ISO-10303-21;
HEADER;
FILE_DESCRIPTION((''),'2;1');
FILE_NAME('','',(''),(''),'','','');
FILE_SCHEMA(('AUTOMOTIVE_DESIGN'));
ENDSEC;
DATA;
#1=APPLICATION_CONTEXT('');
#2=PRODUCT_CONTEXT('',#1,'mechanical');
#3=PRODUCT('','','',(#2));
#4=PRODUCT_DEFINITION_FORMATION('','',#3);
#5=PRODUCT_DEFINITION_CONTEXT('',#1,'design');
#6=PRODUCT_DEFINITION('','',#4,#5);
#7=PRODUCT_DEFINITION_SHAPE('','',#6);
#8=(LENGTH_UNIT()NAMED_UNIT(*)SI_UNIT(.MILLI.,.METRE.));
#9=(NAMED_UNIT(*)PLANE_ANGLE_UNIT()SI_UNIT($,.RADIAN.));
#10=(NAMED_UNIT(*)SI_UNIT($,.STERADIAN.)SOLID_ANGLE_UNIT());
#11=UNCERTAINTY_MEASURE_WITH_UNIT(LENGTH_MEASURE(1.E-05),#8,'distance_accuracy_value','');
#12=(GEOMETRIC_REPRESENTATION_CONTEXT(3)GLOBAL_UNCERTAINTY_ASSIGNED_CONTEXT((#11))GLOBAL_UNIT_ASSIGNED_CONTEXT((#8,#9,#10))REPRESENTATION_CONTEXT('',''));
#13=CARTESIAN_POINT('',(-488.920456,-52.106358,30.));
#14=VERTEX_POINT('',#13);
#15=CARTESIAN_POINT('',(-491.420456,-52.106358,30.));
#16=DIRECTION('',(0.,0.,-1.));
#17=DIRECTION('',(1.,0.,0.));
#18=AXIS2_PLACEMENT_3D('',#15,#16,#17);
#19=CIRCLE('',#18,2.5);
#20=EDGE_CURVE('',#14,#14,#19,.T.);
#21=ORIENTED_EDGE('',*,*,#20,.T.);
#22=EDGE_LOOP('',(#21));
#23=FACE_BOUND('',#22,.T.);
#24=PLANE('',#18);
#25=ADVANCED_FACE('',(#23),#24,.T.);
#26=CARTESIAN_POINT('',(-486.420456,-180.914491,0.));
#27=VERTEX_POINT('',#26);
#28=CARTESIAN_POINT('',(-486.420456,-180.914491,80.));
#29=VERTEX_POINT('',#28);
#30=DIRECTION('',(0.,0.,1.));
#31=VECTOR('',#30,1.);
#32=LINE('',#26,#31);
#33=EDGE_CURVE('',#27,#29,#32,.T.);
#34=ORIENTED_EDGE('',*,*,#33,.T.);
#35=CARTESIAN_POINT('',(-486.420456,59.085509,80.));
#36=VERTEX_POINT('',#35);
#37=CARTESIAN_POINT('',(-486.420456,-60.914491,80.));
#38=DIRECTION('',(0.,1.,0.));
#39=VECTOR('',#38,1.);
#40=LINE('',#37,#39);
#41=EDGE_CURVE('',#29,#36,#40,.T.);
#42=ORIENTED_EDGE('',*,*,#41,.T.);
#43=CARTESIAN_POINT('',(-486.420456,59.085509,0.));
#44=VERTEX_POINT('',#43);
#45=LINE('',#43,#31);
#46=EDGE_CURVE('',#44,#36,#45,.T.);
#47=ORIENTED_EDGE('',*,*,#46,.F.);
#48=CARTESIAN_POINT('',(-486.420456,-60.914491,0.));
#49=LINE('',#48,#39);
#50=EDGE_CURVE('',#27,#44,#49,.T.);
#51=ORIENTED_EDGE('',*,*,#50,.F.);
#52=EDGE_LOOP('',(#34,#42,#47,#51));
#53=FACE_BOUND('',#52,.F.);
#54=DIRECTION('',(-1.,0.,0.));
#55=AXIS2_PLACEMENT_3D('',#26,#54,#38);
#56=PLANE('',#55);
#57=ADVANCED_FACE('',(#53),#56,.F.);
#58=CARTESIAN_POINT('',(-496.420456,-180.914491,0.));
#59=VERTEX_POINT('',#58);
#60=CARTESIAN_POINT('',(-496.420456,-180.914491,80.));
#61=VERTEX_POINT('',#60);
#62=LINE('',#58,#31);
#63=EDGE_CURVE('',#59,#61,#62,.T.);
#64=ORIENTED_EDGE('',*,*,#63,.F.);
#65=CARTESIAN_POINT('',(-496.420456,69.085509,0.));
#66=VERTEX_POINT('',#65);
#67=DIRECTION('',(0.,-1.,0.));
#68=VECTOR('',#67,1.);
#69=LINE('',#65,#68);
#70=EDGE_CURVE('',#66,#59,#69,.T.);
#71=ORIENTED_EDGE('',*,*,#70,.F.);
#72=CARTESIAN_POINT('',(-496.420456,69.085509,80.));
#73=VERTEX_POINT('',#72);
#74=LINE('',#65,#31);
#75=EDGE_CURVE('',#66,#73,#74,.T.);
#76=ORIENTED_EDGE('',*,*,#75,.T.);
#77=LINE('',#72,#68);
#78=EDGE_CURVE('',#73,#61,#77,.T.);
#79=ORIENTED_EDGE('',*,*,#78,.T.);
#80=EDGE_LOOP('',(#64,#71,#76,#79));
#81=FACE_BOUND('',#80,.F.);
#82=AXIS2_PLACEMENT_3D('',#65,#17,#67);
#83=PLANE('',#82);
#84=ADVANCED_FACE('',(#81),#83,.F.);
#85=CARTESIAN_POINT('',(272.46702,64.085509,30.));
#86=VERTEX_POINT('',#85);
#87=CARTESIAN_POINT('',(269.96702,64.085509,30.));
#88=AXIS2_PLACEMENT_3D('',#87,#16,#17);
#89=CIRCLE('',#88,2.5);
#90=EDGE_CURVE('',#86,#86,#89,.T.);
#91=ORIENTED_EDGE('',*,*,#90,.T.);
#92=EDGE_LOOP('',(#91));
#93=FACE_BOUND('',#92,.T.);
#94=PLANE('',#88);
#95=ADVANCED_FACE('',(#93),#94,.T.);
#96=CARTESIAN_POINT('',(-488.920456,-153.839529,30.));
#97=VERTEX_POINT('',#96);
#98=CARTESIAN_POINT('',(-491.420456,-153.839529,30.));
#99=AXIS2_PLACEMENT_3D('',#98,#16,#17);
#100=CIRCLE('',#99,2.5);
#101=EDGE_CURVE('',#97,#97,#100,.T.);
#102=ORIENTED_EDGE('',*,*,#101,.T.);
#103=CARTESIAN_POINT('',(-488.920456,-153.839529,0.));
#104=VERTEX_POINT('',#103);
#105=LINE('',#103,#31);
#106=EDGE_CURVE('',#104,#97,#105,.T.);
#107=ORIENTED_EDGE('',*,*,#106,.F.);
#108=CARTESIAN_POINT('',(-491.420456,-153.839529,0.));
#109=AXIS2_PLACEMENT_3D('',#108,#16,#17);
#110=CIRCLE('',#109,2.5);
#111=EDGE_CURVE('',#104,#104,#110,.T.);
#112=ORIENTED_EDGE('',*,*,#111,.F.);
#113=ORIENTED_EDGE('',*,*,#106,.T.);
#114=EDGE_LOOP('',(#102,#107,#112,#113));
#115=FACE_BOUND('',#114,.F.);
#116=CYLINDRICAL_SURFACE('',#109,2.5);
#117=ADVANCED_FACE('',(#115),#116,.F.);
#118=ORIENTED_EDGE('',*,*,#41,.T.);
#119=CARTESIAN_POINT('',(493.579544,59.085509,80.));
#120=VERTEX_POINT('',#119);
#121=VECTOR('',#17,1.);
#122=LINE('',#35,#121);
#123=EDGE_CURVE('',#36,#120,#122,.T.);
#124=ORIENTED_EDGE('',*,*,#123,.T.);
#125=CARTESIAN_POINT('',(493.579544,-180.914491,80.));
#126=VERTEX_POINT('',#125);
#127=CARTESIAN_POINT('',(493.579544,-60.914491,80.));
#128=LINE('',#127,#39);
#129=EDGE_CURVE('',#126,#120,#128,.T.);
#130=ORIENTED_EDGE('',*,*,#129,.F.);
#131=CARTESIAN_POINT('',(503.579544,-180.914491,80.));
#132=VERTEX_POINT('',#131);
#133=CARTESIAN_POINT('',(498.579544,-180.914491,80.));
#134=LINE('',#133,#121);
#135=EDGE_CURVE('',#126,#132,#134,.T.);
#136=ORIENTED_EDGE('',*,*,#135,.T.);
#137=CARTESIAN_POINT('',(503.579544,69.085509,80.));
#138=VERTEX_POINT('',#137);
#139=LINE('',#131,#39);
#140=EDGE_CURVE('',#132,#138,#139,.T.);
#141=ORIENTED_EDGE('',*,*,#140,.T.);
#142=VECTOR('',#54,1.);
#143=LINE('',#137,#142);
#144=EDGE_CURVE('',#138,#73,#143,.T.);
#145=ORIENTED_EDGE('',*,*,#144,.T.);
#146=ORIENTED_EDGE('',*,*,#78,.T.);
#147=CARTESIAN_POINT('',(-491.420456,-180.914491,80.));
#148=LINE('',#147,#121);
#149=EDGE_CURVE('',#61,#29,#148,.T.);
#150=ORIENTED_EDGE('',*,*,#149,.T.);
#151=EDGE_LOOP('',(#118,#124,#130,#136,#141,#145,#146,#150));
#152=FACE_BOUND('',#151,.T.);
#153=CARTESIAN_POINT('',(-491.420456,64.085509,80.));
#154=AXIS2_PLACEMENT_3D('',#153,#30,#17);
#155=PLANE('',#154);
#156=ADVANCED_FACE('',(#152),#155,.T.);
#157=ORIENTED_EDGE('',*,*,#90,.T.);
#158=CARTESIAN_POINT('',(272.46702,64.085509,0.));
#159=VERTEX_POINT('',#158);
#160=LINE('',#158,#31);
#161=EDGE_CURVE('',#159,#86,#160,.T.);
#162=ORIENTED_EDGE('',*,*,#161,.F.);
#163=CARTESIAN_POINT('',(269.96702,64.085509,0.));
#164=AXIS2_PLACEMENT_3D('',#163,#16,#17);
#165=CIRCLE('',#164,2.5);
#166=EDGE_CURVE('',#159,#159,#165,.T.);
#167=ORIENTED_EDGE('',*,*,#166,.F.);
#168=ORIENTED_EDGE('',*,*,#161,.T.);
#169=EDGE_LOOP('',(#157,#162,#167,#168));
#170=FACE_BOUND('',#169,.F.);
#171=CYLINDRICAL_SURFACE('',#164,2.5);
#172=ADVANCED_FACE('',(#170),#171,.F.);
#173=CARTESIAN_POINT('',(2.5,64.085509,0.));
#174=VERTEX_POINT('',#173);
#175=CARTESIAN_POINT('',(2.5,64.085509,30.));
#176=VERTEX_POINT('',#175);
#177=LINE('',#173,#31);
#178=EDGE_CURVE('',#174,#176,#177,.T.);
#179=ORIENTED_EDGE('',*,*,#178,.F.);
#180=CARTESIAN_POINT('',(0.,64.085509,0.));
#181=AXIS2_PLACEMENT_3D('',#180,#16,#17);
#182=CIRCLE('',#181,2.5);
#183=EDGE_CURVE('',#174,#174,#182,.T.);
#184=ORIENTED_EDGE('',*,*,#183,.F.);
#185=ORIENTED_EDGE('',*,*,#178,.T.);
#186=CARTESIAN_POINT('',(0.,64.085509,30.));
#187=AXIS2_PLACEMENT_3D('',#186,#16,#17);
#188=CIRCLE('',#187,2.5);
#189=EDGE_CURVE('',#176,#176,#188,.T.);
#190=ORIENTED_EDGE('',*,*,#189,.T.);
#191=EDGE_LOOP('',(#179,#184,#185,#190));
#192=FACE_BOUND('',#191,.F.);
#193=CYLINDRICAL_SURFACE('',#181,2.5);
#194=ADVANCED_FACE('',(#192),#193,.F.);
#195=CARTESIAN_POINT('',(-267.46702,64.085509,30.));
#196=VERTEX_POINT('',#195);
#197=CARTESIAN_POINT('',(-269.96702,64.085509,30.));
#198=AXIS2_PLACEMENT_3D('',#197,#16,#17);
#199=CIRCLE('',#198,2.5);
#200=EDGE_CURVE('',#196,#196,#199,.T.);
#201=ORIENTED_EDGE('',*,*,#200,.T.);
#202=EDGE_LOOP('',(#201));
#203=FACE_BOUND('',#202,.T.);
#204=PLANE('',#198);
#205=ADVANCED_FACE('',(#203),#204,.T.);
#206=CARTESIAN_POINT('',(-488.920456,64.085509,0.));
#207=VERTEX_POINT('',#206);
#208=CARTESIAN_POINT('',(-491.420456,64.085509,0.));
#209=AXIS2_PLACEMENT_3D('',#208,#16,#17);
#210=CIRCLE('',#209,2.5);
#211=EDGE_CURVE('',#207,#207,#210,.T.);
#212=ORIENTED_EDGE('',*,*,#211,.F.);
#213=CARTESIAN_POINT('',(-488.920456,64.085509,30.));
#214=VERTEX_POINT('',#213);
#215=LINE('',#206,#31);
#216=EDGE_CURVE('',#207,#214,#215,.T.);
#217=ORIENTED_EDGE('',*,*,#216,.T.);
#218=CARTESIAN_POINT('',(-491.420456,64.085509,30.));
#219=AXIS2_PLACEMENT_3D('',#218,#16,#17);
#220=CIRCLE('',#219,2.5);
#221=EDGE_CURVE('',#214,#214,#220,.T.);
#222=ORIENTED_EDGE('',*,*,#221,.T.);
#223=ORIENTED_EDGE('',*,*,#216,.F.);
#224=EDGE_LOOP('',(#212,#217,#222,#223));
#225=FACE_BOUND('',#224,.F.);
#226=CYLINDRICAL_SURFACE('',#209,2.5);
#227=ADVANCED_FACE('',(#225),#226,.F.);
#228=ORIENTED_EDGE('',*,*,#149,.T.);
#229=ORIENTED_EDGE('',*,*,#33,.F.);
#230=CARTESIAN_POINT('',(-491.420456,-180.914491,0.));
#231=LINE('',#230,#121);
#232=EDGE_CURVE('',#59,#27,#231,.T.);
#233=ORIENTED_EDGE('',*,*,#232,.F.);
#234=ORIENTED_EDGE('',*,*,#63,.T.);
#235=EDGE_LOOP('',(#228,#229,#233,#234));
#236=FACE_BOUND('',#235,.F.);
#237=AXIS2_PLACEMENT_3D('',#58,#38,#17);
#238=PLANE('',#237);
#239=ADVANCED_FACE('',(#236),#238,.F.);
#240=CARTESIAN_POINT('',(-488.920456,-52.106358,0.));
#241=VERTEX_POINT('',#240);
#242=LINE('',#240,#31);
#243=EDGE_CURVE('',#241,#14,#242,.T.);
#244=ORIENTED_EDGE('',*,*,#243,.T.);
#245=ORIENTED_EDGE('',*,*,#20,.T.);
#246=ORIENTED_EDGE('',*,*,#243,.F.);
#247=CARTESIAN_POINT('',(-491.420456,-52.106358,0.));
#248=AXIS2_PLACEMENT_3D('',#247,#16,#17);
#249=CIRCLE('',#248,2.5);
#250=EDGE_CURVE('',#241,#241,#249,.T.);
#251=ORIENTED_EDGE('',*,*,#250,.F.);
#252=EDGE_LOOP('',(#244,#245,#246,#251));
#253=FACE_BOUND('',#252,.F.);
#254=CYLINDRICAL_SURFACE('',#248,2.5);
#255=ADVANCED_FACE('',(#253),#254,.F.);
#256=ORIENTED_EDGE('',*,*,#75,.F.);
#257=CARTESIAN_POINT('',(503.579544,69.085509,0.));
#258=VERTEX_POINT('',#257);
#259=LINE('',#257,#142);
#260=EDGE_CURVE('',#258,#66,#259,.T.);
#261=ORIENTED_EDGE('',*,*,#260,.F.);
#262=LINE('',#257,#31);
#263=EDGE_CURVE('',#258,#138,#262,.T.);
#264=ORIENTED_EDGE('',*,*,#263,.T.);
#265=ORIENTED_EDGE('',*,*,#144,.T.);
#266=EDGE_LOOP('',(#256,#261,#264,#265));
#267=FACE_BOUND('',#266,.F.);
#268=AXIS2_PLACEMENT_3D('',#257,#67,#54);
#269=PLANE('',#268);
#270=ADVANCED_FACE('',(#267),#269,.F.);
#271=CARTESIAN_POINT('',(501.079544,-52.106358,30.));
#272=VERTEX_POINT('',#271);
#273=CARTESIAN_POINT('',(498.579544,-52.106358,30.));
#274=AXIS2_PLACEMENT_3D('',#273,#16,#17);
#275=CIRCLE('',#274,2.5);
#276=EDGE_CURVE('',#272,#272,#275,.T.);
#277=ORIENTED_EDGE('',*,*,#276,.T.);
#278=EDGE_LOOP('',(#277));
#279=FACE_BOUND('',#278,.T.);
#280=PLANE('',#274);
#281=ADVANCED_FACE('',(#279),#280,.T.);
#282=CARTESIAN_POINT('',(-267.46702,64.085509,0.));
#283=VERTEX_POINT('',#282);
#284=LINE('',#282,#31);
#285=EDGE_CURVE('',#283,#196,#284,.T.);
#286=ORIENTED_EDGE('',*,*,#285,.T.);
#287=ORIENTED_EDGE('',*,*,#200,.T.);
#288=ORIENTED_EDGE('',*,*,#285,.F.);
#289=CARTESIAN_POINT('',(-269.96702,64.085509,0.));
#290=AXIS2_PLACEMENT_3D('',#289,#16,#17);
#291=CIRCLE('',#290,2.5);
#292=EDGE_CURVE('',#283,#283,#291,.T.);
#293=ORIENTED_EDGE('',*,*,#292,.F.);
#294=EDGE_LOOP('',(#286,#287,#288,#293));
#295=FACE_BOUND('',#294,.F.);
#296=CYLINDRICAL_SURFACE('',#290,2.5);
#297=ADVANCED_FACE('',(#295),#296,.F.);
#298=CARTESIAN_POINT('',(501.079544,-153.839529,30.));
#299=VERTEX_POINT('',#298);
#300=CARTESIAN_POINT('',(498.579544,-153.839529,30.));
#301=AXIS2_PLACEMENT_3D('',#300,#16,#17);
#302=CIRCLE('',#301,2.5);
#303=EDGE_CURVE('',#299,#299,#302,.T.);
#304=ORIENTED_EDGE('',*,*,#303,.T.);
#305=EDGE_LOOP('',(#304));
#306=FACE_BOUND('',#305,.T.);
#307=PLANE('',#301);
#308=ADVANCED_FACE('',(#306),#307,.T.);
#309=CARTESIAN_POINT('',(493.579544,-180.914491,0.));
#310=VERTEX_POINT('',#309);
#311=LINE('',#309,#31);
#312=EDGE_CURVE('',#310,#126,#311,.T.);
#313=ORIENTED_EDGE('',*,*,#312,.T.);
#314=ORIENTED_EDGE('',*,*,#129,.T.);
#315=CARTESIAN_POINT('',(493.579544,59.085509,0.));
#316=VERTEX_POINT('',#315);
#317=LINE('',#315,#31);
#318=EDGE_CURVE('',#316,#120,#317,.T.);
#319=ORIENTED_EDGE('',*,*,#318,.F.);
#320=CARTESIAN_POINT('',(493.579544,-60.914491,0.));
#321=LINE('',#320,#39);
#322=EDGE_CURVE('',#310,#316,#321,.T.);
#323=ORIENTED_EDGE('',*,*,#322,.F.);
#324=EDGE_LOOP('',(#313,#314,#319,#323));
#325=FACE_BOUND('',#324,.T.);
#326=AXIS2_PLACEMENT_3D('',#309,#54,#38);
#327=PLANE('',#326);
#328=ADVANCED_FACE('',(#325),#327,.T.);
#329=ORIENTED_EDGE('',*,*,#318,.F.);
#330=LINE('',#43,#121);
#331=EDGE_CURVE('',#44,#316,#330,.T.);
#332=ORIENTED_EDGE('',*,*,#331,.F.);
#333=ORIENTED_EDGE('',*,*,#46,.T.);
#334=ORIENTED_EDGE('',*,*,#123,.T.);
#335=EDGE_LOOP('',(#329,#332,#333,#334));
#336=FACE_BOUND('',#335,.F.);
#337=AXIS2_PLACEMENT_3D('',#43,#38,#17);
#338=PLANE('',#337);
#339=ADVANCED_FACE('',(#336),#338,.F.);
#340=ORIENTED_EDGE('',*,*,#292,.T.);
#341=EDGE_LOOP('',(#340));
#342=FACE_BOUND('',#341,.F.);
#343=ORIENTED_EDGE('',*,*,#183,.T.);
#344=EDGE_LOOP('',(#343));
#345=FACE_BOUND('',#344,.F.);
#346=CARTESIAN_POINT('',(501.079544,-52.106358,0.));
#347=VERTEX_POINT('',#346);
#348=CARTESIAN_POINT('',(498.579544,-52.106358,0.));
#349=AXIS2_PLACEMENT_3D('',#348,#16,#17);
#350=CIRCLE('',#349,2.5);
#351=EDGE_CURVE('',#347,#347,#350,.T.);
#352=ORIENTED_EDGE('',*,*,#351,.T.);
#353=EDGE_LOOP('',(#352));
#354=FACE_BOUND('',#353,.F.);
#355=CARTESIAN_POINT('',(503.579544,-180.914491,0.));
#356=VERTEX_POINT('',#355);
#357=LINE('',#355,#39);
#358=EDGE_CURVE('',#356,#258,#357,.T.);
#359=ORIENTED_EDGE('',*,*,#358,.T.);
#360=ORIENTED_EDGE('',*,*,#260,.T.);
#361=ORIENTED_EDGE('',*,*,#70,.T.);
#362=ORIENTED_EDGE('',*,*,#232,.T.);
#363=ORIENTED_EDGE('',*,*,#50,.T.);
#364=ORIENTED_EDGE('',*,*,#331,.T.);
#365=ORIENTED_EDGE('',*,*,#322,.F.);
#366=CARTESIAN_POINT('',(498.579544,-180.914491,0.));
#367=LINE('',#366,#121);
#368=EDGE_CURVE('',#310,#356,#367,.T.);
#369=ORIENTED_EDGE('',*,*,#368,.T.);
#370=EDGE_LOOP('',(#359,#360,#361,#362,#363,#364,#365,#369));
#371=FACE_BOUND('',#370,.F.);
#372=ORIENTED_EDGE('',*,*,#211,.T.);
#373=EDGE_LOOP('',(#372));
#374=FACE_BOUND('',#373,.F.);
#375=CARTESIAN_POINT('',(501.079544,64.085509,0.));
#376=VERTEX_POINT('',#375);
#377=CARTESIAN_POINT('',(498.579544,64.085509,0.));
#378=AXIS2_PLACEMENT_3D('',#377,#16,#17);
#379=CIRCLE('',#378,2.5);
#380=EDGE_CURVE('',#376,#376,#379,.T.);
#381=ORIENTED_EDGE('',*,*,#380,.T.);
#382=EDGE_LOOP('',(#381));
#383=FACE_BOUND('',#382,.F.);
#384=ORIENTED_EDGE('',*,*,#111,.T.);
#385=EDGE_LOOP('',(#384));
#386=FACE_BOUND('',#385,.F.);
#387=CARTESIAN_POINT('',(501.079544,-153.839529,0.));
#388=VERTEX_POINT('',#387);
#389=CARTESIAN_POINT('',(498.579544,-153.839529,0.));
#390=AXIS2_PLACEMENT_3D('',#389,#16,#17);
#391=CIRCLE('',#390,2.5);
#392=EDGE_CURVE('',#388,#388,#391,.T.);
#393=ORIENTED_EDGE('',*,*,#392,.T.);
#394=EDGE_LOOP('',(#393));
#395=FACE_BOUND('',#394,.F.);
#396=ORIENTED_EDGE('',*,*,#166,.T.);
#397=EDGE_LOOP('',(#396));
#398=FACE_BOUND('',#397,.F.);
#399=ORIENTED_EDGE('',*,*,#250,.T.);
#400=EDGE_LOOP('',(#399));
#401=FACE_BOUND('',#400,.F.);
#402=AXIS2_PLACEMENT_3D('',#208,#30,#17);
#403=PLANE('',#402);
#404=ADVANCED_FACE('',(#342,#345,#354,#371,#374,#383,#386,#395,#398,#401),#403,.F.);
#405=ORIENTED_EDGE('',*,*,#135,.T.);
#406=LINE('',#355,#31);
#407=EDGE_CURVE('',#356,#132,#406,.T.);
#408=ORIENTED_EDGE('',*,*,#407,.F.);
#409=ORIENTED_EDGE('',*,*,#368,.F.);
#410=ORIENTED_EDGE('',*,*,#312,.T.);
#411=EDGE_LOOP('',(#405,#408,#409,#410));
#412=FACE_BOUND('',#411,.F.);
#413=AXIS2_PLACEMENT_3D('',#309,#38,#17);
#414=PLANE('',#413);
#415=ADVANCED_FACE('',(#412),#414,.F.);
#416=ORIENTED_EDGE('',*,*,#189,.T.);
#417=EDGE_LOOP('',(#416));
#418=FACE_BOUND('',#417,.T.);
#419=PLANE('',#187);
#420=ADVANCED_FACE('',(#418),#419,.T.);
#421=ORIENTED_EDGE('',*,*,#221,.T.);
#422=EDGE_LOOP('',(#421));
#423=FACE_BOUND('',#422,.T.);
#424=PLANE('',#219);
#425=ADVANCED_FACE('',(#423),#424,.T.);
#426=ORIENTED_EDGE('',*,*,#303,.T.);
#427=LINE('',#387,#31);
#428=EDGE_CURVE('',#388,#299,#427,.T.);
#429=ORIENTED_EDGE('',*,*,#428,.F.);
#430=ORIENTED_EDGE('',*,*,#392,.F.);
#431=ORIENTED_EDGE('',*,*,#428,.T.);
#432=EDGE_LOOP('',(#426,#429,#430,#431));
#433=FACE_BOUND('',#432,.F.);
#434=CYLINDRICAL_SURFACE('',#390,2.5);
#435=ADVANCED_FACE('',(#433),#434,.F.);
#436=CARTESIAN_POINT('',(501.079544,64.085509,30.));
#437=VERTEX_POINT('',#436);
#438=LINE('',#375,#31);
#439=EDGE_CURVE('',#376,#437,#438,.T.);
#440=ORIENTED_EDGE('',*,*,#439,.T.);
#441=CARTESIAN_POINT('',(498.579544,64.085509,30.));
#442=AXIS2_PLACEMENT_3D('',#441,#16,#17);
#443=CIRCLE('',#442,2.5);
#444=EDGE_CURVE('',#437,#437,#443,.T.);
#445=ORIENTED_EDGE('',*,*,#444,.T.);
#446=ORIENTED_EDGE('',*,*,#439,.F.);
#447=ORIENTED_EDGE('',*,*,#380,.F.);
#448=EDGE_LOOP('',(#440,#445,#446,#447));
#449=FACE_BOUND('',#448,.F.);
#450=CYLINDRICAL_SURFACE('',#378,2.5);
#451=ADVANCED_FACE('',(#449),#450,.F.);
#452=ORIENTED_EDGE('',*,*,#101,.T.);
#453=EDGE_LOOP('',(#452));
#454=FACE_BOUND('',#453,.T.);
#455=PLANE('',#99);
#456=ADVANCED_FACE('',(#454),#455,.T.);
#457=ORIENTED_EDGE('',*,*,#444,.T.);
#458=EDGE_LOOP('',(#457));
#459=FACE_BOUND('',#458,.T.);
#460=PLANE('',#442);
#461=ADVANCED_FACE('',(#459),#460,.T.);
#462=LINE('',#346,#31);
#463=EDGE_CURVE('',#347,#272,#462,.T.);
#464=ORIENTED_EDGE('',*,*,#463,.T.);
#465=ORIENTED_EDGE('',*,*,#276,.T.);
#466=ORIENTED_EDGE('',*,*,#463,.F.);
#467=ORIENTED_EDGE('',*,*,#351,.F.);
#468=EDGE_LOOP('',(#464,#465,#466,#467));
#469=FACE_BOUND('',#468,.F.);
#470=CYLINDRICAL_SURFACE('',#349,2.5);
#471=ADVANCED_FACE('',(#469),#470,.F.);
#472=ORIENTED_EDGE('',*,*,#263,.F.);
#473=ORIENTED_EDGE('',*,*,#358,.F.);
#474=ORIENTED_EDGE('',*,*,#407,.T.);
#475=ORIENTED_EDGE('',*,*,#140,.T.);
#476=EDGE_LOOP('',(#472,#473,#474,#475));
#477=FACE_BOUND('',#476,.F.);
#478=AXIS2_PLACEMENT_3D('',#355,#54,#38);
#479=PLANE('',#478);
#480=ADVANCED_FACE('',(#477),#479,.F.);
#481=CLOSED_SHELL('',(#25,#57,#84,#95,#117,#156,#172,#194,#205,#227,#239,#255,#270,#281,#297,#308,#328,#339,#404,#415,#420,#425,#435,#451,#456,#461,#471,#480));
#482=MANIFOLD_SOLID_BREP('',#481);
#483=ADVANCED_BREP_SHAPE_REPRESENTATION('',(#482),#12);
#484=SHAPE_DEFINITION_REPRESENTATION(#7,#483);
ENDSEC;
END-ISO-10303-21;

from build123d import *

# Parameters (mm, degrees)
F0_W     = 10
F0_H     = 10
F0_W_2   = 980
F0_H_2   = 240
F1_DEPTH = 80
F2_R     = 2.5
F3_DEPTH = 30


with BuildPart() as f1:
    # F0 (on Top) → F1 (new body)
    with BuildSketch(Plane.XY):
        with Locations((-491.420456, 64.085509)):
            Rectangle(F0_W, F0_H)
        with Locations((3.579544, 64.085509)):
            Rectangle(F0_W_2, F0_H)
        with Locations((-491.420456, -60.914491)):
            Rectangle(F0_W, F0_H_2)
        with Locations((498.579544, 64.085509)):
            Rectangle(F0_W, F0_H)
        with Locations((498.579544, -60.914491)):
            Rectangle(F0_W, F0_H_2)
    extrude(amount=F1_DEPTH)

    # F2 (on face) → F3 (cut)
    with BuildSketch(Plane(origin=(0, 0, 0), x_dir=(1, 0, 0), z_dir=(0, 0, -1))):
        with Locations((-491.420456, 153.839529)):
            Circle(F2_R)
        with Locations((-491.420456, 52.106358)):
            Circle(F2_R)
        with Locations((-491.420456, -64.085509)):
            Circle(F2_R)
        with Locations((-269.96702, -64.085509)):
            Circle(F2_R)
        with Locations((0, -64.085509)):
            Circle(F2_R)
        with Locations((269.96702, -64.085509)):
            Circle(F2_R)
        with Locations((498.579544, -64.085509)):
            Circle(F2_R)
        with Locations((498.579544, 52.106358)):
            Circle(F2_R)
        with Locations((498.579544, 153.839529)):
            Circle(F2_R)
    extrude(amount=-F3_DEPTH, mode=Mode.SUBTRACT)


solid = f1.part
